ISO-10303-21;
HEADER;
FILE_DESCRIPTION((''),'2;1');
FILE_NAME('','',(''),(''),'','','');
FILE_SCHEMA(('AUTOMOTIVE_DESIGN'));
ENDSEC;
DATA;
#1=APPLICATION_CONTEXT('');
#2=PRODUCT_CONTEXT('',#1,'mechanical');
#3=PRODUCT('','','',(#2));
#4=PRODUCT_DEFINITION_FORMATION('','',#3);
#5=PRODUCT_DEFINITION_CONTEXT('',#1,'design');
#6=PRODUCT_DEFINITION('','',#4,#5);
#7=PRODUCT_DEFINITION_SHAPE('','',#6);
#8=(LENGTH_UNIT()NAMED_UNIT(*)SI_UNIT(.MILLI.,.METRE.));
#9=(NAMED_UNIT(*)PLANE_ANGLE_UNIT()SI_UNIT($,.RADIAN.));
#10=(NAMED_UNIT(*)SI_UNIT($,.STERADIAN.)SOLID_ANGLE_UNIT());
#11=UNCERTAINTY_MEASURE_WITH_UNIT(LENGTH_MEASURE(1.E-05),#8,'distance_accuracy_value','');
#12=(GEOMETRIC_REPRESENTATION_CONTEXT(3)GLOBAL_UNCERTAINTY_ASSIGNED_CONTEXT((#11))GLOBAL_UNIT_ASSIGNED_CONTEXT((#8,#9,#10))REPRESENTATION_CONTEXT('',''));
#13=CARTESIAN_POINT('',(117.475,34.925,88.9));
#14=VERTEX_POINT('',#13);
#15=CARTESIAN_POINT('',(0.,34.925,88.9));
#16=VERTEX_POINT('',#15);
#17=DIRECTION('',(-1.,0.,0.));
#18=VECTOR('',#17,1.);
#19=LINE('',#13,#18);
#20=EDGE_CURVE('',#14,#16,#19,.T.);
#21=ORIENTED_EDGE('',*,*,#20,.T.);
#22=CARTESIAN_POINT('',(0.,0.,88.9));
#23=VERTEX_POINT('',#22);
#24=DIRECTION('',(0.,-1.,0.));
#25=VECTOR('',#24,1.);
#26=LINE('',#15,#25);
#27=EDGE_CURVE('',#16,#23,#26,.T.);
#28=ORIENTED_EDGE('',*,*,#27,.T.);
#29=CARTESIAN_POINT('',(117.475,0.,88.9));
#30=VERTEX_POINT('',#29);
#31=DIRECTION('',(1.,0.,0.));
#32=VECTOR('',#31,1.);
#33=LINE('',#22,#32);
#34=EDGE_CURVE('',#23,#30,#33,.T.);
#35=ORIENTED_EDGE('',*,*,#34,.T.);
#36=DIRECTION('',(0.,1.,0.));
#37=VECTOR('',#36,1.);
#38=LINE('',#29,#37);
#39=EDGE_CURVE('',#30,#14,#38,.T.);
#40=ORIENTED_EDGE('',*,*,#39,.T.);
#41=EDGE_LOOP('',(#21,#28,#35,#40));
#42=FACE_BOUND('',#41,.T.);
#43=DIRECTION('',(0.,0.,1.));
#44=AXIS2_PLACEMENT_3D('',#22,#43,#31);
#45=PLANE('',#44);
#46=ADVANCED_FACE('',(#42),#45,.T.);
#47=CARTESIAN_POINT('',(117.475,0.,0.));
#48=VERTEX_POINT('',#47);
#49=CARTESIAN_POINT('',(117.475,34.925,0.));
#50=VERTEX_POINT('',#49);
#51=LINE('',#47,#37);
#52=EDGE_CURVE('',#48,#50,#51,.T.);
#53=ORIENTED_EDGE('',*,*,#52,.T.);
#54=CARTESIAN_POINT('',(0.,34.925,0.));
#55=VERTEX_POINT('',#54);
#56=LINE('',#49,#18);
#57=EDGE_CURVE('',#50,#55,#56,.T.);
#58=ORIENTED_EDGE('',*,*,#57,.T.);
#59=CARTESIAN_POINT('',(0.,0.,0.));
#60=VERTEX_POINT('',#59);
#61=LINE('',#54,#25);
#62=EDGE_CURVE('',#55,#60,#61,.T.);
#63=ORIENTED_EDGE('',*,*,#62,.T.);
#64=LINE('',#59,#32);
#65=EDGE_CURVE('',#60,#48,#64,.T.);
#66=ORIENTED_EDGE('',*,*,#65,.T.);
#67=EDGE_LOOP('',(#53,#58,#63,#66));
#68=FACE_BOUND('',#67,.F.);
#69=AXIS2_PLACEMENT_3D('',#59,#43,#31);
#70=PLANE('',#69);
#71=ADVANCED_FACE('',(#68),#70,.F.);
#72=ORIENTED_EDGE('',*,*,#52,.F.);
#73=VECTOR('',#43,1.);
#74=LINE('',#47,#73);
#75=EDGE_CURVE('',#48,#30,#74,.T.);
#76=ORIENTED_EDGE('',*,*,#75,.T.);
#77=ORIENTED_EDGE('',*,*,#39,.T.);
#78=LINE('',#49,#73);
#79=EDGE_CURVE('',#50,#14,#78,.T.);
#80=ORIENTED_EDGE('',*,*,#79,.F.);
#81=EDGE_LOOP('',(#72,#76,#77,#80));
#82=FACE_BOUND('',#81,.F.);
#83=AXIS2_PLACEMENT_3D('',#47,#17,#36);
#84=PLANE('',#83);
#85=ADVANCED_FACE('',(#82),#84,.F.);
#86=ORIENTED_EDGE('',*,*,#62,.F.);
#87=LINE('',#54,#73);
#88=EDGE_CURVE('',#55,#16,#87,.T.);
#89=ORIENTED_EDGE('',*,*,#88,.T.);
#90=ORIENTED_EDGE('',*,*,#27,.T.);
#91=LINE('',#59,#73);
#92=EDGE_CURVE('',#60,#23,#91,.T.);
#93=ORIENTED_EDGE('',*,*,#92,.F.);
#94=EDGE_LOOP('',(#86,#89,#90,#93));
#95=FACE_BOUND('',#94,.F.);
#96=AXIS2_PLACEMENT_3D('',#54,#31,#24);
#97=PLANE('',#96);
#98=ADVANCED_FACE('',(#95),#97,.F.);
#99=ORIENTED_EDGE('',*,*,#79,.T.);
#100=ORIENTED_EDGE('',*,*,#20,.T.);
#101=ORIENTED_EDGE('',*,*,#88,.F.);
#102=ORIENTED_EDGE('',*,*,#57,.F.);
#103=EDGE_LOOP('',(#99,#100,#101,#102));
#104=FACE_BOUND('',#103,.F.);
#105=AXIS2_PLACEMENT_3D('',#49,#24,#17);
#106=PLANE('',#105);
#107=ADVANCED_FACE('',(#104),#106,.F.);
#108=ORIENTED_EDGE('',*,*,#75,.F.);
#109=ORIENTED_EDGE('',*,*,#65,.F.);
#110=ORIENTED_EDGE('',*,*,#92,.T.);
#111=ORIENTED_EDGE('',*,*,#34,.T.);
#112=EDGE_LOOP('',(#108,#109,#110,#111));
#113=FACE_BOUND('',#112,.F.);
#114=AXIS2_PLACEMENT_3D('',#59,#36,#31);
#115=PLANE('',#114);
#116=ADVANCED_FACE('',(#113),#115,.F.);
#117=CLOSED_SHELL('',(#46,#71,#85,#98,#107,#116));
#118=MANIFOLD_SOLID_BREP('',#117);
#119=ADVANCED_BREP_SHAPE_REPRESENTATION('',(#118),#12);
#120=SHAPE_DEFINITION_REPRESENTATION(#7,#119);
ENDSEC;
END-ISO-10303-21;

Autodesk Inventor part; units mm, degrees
ref_plane "YZ Plane" through (0, 0, 0) normal (1, 0, 0) x (0, 1, 0)
ref_plane "XZ Plane" through (0, 0, 0) normal (0, 1, 0) x (-1, 0, 0)
ref_plane "XY Plane" through (0, 0, 0) normal (0, 0, 1) x (1, 0, 0)
sketch "Sketch1" plane through (0, 0, 0) normal (0, 0, 1) x (1, 0, 0)
  line L0 (0, 0) -> (117.475, 0)
  line L1 (117.475, 0) -> (117.475, 34.925)
  line L2 (117.475, 34.925) -> (0, 34.925)
  line L3 (0, 34.925) -> (0, 0)
  dimension "d0" = 117.475
  dimension "d1" = 34.925
extrude "Extrusion1" add sketch "Sketch1" along normal blind 88.9
properties part number "Stepper Drive"
